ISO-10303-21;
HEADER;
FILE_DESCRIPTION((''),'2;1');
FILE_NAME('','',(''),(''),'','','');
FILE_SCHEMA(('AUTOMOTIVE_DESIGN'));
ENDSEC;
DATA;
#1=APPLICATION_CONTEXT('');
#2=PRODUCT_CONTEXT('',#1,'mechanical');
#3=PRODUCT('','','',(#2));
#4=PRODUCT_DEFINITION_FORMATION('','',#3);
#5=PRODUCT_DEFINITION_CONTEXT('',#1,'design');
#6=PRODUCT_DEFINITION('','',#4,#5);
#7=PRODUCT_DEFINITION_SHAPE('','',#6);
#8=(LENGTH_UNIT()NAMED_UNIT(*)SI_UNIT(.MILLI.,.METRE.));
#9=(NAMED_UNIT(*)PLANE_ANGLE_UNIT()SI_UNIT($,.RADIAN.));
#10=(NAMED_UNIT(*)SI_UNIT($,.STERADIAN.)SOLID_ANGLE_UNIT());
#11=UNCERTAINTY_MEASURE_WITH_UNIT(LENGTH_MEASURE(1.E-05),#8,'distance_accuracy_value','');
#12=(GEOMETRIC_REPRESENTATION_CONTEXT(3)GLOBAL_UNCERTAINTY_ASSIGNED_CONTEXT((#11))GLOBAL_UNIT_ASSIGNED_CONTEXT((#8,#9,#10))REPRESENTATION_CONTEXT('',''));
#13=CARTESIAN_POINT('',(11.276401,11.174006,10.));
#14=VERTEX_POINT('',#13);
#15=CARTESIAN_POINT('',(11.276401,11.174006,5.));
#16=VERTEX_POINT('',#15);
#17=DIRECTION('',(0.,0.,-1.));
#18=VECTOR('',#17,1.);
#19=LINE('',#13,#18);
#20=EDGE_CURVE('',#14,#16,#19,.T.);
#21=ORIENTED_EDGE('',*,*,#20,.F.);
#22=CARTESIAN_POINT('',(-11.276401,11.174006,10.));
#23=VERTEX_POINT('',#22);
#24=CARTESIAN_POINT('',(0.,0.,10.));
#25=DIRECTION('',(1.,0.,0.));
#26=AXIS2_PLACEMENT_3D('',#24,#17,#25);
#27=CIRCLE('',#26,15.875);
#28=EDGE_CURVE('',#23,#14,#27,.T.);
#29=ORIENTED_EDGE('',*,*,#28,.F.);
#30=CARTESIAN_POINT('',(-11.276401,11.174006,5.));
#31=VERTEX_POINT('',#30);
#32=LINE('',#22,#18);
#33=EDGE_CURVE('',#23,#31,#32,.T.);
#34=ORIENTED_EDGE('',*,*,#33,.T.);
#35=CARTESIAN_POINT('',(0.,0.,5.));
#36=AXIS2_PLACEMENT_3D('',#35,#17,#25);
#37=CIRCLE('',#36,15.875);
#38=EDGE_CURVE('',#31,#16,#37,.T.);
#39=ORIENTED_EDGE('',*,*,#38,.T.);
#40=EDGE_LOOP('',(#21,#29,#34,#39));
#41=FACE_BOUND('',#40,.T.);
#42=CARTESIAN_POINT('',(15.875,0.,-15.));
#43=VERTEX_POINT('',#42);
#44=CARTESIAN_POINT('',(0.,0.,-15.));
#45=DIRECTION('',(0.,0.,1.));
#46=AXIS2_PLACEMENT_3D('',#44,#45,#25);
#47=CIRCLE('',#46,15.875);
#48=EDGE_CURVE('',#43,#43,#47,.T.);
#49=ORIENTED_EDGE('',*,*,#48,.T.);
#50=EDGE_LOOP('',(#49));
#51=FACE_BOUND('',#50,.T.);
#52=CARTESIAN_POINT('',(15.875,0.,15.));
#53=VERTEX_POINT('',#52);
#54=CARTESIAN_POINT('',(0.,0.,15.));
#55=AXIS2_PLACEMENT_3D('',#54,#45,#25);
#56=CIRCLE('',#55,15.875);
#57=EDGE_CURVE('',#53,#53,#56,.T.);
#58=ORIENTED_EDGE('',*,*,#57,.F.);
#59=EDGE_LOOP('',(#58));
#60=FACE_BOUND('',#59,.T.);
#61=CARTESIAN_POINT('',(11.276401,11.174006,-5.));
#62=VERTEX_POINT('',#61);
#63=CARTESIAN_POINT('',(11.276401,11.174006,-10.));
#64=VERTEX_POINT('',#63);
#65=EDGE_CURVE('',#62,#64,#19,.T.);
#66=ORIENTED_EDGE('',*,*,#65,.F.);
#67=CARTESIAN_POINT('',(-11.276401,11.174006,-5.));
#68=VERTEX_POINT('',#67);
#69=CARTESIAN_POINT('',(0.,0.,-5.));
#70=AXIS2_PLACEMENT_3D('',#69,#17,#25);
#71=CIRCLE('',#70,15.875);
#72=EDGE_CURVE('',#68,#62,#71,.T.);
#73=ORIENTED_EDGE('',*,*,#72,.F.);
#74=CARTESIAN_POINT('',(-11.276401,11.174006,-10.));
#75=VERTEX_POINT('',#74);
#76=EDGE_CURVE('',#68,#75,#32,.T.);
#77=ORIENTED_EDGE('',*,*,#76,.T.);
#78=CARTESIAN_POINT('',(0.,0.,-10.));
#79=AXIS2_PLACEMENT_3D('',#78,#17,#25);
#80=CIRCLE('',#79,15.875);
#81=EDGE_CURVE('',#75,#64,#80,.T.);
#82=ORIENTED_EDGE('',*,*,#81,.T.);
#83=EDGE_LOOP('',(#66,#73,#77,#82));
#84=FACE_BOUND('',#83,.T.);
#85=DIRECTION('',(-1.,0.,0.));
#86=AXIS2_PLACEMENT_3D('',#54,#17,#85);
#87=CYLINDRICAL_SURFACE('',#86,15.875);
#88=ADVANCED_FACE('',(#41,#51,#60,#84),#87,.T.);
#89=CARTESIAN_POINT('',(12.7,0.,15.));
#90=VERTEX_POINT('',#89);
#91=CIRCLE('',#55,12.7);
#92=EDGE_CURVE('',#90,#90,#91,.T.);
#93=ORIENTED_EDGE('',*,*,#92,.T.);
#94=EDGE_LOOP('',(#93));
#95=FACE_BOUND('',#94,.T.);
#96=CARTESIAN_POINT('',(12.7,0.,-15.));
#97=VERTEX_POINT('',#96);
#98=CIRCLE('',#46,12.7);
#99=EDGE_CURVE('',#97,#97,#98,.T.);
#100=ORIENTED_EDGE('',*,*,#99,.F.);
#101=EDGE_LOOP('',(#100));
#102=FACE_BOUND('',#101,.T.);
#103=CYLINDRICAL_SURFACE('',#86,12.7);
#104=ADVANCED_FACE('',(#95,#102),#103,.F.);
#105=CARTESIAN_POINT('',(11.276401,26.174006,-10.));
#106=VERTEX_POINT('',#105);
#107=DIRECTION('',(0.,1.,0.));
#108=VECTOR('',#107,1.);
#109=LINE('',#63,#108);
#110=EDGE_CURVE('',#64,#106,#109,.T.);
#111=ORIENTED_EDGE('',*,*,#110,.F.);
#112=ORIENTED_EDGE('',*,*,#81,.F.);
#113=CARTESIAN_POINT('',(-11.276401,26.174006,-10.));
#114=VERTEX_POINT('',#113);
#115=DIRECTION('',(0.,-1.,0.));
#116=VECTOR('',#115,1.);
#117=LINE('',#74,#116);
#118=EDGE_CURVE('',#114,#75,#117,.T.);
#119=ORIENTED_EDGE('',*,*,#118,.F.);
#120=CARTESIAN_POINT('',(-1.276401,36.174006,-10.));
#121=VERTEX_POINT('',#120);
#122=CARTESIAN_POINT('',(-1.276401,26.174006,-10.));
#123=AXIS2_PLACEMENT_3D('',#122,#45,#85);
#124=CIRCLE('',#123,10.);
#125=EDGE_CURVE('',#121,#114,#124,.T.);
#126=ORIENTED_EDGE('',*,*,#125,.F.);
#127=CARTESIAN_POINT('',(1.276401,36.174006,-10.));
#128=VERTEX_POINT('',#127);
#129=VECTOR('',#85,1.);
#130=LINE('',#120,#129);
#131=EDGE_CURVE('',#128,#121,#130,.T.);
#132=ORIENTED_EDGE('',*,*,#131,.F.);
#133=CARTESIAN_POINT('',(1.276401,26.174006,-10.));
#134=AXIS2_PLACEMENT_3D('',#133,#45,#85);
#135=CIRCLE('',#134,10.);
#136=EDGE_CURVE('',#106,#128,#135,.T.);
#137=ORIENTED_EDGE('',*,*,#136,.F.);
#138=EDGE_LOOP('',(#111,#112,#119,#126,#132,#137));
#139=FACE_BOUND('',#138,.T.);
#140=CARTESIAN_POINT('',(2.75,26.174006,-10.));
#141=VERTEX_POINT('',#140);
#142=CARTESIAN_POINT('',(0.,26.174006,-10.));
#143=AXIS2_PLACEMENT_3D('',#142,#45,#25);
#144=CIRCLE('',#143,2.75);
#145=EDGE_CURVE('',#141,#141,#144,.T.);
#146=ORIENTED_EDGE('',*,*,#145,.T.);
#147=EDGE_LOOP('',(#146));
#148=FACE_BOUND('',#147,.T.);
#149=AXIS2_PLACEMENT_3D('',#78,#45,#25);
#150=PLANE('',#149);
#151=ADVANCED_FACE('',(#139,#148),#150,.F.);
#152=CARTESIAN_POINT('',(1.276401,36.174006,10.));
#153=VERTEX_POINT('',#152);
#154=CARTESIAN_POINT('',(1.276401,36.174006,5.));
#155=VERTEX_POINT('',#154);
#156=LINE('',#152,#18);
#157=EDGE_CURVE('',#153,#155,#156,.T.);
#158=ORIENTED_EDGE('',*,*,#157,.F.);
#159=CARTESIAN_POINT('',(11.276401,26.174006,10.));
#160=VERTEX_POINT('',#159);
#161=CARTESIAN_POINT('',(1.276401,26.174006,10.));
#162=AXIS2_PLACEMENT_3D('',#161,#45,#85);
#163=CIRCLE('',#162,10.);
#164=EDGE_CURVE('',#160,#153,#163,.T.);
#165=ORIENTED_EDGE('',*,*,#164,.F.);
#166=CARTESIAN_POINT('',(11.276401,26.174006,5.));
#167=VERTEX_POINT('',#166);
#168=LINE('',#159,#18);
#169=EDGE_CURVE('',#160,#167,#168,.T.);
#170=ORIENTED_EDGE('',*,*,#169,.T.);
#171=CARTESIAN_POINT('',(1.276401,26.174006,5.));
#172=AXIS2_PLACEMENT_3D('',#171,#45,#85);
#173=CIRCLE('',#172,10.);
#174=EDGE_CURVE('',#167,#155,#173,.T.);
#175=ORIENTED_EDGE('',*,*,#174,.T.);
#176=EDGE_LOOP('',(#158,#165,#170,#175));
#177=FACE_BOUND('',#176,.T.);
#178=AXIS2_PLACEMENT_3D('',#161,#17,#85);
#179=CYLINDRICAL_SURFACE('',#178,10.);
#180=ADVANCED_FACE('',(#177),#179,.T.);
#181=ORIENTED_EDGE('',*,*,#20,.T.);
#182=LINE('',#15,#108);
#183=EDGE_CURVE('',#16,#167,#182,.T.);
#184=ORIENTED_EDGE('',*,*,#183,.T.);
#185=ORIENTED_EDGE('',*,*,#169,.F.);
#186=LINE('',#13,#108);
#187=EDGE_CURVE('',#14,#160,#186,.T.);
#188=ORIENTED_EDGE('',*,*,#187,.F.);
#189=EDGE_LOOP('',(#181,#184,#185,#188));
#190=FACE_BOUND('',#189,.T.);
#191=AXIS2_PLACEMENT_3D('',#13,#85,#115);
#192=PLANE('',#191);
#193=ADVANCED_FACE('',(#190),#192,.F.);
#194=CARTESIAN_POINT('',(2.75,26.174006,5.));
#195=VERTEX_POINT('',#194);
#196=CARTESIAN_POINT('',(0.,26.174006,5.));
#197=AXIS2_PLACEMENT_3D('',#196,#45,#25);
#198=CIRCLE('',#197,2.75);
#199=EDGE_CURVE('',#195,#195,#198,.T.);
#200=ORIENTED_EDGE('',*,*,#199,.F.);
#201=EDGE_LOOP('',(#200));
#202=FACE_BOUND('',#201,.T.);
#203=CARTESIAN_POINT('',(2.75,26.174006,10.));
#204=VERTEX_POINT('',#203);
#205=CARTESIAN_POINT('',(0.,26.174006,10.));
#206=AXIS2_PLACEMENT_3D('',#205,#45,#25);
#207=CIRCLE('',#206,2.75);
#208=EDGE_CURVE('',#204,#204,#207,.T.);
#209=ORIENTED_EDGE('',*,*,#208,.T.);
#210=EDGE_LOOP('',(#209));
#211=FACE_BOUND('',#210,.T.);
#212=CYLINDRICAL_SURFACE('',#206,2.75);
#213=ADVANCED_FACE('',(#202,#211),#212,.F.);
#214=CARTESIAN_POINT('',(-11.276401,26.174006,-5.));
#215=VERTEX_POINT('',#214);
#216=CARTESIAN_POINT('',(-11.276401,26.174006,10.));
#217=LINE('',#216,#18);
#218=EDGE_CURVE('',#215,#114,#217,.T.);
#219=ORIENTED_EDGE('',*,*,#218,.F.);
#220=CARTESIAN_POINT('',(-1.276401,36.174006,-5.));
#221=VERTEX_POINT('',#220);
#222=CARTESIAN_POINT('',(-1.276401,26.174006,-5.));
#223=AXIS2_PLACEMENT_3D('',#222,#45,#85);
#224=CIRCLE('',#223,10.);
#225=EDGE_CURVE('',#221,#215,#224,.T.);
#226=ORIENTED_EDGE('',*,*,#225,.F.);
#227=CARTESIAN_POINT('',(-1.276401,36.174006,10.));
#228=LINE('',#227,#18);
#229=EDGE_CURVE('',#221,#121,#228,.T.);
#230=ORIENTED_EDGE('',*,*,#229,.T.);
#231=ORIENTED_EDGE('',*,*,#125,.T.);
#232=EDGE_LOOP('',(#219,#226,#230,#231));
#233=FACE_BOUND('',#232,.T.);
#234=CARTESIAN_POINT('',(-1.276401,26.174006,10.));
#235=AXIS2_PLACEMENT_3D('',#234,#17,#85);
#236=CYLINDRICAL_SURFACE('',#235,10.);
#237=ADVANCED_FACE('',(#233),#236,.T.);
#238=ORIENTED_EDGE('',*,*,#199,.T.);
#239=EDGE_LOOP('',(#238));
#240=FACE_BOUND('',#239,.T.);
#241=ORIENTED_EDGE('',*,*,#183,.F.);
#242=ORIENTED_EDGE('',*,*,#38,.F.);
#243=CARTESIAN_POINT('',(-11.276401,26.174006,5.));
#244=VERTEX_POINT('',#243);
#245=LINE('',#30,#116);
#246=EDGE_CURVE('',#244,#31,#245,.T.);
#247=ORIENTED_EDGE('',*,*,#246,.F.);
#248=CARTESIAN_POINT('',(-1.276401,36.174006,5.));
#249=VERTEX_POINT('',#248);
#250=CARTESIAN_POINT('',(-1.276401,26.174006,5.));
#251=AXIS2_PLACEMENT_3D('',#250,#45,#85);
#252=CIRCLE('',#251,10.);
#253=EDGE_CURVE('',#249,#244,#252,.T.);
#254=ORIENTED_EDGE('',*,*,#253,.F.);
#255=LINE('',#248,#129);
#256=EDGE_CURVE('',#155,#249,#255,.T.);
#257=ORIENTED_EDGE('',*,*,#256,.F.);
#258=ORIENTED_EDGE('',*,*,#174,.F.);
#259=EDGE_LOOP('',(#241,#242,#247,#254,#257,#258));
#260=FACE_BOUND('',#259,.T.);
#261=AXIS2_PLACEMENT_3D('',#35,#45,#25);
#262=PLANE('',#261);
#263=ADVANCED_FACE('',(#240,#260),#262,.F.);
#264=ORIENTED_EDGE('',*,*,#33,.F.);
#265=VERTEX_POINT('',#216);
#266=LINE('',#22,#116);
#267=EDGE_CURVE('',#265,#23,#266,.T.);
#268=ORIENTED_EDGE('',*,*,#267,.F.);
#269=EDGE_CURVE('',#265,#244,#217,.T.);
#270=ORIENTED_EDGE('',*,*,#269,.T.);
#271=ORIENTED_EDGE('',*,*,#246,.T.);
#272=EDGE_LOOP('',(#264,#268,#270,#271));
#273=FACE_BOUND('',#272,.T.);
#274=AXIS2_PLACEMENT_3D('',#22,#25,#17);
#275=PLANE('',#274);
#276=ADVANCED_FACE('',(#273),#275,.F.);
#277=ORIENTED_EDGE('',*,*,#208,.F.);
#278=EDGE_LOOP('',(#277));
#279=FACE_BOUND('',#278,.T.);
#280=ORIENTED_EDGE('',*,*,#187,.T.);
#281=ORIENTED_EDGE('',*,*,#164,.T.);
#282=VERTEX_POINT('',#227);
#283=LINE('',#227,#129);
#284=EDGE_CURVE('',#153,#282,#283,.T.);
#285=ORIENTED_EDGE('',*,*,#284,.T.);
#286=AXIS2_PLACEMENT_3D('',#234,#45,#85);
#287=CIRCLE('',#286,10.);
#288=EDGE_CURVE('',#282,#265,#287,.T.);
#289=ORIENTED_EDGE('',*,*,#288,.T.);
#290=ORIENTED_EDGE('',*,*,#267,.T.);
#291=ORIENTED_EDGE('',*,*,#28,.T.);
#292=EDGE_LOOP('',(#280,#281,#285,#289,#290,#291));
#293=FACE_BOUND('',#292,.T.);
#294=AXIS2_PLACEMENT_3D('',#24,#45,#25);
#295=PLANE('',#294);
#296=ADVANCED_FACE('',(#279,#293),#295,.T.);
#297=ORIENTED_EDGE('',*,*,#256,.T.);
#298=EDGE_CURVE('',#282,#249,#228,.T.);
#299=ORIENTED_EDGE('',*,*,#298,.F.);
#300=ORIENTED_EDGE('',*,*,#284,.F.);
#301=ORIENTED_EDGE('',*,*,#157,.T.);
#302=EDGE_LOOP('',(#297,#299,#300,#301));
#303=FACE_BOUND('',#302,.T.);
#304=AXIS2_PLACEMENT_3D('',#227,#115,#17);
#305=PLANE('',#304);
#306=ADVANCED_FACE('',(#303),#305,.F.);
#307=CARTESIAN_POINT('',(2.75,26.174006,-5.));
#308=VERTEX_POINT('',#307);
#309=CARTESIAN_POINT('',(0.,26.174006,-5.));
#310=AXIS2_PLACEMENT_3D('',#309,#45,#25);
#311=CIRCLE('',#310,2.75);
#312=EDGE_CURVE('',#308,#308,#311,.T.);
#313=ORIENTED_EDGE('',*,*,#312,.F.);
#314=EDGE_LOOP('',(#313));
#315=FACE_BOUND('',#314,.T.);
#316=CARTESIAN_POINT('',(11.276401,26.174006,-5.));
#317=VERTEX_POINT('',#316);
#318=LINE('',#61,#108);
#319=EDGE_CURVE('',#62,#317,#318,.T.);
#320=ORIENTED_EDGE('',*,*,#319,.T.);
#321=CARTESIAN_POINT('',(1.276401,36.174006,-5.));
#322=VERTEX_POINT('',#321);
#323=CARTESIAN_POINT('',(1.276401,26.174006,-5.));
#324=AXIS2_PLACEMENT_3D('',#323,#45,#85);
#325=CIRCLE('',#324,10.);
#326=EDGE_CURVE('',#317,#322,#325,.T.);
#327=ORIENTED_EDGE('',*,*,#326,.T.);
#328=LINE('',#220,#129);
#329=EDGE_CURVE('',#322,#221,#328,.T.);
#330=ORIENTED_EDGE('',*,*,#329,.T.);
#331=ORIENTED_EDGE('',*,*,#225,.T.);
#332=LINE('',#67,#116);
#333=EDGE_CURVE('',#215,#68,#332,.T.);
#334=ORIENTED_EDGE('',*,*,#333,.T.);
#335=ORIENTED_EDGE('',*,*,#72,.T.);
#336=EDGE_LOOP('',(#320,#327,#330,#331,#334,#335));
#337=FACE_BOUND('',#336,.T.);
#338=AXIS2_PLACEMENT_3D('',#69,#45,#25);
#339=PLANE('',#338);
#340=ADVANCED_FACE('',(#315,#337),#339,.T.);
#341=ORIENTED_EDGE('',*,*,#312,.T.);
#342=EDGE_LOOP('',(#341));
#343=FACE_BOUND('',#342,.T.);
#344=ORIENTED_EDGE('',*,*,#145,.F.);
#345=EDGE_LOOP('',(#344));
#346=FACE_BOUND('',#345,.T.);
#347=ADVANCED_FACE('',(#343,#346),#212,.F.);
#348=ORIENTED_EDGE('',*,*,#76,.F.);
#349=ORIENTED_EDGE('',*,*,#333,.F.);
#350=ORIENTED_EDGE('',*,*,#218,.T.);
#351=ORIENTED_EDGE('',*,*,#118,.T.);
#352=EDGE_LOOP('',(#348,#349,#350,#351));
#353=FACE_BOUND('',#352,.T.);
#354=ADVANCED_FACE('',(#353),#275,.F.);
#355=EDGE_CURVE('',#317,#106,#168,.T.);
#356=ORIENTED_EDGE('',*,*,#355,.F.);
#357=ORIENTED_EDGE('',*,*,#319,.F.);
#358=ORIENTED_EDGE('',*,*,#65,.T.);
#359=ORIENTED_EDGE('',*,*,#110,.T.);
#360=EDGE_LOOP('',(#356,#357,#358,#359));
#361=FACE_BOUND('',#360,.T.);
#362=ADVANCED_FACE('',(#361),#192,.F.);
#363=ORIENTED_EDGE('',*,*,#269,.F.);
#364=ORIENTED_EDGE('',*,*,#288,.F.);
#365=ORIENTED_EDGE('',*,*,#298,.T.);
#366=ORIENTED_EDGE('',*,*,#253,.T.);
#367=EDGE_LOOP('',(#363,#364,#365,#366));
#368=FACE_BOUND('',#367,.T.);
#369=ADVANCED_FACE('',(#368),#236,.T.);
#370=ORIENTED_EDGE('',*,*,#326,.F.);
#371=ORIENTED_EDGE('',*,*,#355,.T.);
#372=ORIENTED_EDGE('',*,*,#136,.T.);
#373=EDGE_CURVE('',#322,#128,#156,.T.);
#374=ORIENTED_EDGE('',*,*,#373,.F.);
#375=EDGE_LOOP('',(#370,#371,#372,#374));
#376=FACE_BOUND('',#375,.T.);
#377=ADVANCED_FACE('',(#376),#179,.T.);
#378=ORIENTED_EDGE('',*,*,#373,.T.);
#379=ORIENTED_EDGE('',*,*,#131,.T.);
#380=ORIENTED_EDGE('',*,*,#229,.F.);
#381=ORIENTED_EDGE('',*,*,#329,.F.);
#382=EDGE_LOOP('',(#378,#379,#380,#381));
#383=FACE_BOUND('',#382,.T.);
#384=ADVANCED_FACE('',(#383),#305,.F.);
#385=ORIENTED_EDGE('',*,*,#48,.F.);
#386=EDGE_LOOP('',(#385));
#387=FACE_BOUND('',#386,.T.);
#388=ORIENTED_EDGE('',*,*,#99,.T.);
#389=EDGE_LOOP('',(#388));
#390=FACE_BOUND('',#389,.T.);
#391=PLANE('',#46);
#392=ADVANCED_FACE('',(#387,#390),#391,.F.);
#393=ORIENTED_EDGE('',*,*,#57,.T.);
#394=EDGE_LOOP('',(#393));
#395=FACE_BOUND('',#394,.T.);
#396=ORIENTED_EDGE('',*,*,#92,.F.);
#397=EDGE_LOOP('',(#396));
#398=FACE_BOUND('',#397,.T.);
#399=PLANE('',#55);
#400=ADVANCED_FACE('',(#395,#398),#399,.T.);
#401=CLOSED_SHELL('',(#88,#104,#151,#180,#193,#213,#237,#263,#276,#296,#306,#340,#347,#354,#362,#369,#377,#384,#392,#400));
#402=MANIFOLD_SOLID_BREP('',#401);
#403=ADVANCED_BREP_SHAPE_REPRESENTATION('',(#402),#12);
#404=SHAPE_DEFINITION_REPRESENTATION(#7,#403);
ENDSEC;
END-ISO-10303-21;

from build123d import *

# Parameters (mm, degrees)
SKETCH1_R            = 15.875
SKETCH1_R_2          = 12.7
BOSS_EXTRUDE1_DEPTH  = 15
BOSS_EXTRUDE2_DEPTH  = 10
CUT_EXTRUDE1_DEPTH   = 5
M5_CLEARANCE_HOLE1_D = 5.5


with BuildPart() as part:
    # Sketch1 → Boss-Extrude1 (new, symmetric)
    with BuildSketch(Plane.XY):
        Circle(SKETCH1_R)
        Circle(SKETCH1_R_2, mode=Mode.SUBTRACT)
    extrude(amount=BOSS_EXTRUDE1_DEPTH, both=True)

    # Sketch3 → Boss-Extrude2 (add, symmetric)
    with BuildSketch(Plane.XY):
        with BuildLine():
            Line((-11.276400848, 11.174005948), (-11.276400848, 26.174005948))
            ThreePointArc((-11.276400848, 26.174005948), (-8.34746866, 33.245073759), (-1.276400848, 36.174005948))
            Line((-1.276400848, 36.174005948), (1.276400848, 36.174005948))
            ThreePointArc((1.276400848, 36.174005948), (8.34746866, 33.245073759), (11.276400848, 26.174005948))
            Line((11.276400848, 26.174005948), (11.276400848, 11.174005948))
            ThreePointArc((11.276400848, 11.174005948), (0, 15.875), (-11.276400848, 11.174005948))
        make_face()
    extrude(amount=BOSS_EXTRUDE2_DEPTH, both=True)

    # Sketch3<2> → Cut-Extrude1 (cut, symmetric)
    with BuildSketch(Plane.XY):
        with BuildLine():
            Line((-11.276400848, 11.174005948), (-11.276400848, 26.174005948))
            ThreePointArc((-11.276400848, 26.174005948), (-8.34746866, 33.245073759), (-1.276400848, 36.174005948))
            Line((-1.276400848, 36.174005948), (1.276400848, 36.174005948))
            ThreePointArc((1.276400848, 36.174005948), (8.34746866, 33.245073759), (11.276400848, 26.174005948))
            Line((11.276400848, 26.174005948), (11.276400848, 11.174005948))
            ThreePointArc((11.276400848, 11.174005948), (0, 15.875), (-11.276400848, 11.174005948))
        make_face()
    extrude(amount=CUT_EXTRUDE1_DEPTH, both=True, mode=Mode.SUBTRACT)

    # M5 Clearance Hole1 (through all)
    with Locations(Plane.XY.offset(10)):
        with Locations((0, 26.174005948)):
            Hole(M5_CLEARANCE_HOLE1_D / 2)


solid = part.part
